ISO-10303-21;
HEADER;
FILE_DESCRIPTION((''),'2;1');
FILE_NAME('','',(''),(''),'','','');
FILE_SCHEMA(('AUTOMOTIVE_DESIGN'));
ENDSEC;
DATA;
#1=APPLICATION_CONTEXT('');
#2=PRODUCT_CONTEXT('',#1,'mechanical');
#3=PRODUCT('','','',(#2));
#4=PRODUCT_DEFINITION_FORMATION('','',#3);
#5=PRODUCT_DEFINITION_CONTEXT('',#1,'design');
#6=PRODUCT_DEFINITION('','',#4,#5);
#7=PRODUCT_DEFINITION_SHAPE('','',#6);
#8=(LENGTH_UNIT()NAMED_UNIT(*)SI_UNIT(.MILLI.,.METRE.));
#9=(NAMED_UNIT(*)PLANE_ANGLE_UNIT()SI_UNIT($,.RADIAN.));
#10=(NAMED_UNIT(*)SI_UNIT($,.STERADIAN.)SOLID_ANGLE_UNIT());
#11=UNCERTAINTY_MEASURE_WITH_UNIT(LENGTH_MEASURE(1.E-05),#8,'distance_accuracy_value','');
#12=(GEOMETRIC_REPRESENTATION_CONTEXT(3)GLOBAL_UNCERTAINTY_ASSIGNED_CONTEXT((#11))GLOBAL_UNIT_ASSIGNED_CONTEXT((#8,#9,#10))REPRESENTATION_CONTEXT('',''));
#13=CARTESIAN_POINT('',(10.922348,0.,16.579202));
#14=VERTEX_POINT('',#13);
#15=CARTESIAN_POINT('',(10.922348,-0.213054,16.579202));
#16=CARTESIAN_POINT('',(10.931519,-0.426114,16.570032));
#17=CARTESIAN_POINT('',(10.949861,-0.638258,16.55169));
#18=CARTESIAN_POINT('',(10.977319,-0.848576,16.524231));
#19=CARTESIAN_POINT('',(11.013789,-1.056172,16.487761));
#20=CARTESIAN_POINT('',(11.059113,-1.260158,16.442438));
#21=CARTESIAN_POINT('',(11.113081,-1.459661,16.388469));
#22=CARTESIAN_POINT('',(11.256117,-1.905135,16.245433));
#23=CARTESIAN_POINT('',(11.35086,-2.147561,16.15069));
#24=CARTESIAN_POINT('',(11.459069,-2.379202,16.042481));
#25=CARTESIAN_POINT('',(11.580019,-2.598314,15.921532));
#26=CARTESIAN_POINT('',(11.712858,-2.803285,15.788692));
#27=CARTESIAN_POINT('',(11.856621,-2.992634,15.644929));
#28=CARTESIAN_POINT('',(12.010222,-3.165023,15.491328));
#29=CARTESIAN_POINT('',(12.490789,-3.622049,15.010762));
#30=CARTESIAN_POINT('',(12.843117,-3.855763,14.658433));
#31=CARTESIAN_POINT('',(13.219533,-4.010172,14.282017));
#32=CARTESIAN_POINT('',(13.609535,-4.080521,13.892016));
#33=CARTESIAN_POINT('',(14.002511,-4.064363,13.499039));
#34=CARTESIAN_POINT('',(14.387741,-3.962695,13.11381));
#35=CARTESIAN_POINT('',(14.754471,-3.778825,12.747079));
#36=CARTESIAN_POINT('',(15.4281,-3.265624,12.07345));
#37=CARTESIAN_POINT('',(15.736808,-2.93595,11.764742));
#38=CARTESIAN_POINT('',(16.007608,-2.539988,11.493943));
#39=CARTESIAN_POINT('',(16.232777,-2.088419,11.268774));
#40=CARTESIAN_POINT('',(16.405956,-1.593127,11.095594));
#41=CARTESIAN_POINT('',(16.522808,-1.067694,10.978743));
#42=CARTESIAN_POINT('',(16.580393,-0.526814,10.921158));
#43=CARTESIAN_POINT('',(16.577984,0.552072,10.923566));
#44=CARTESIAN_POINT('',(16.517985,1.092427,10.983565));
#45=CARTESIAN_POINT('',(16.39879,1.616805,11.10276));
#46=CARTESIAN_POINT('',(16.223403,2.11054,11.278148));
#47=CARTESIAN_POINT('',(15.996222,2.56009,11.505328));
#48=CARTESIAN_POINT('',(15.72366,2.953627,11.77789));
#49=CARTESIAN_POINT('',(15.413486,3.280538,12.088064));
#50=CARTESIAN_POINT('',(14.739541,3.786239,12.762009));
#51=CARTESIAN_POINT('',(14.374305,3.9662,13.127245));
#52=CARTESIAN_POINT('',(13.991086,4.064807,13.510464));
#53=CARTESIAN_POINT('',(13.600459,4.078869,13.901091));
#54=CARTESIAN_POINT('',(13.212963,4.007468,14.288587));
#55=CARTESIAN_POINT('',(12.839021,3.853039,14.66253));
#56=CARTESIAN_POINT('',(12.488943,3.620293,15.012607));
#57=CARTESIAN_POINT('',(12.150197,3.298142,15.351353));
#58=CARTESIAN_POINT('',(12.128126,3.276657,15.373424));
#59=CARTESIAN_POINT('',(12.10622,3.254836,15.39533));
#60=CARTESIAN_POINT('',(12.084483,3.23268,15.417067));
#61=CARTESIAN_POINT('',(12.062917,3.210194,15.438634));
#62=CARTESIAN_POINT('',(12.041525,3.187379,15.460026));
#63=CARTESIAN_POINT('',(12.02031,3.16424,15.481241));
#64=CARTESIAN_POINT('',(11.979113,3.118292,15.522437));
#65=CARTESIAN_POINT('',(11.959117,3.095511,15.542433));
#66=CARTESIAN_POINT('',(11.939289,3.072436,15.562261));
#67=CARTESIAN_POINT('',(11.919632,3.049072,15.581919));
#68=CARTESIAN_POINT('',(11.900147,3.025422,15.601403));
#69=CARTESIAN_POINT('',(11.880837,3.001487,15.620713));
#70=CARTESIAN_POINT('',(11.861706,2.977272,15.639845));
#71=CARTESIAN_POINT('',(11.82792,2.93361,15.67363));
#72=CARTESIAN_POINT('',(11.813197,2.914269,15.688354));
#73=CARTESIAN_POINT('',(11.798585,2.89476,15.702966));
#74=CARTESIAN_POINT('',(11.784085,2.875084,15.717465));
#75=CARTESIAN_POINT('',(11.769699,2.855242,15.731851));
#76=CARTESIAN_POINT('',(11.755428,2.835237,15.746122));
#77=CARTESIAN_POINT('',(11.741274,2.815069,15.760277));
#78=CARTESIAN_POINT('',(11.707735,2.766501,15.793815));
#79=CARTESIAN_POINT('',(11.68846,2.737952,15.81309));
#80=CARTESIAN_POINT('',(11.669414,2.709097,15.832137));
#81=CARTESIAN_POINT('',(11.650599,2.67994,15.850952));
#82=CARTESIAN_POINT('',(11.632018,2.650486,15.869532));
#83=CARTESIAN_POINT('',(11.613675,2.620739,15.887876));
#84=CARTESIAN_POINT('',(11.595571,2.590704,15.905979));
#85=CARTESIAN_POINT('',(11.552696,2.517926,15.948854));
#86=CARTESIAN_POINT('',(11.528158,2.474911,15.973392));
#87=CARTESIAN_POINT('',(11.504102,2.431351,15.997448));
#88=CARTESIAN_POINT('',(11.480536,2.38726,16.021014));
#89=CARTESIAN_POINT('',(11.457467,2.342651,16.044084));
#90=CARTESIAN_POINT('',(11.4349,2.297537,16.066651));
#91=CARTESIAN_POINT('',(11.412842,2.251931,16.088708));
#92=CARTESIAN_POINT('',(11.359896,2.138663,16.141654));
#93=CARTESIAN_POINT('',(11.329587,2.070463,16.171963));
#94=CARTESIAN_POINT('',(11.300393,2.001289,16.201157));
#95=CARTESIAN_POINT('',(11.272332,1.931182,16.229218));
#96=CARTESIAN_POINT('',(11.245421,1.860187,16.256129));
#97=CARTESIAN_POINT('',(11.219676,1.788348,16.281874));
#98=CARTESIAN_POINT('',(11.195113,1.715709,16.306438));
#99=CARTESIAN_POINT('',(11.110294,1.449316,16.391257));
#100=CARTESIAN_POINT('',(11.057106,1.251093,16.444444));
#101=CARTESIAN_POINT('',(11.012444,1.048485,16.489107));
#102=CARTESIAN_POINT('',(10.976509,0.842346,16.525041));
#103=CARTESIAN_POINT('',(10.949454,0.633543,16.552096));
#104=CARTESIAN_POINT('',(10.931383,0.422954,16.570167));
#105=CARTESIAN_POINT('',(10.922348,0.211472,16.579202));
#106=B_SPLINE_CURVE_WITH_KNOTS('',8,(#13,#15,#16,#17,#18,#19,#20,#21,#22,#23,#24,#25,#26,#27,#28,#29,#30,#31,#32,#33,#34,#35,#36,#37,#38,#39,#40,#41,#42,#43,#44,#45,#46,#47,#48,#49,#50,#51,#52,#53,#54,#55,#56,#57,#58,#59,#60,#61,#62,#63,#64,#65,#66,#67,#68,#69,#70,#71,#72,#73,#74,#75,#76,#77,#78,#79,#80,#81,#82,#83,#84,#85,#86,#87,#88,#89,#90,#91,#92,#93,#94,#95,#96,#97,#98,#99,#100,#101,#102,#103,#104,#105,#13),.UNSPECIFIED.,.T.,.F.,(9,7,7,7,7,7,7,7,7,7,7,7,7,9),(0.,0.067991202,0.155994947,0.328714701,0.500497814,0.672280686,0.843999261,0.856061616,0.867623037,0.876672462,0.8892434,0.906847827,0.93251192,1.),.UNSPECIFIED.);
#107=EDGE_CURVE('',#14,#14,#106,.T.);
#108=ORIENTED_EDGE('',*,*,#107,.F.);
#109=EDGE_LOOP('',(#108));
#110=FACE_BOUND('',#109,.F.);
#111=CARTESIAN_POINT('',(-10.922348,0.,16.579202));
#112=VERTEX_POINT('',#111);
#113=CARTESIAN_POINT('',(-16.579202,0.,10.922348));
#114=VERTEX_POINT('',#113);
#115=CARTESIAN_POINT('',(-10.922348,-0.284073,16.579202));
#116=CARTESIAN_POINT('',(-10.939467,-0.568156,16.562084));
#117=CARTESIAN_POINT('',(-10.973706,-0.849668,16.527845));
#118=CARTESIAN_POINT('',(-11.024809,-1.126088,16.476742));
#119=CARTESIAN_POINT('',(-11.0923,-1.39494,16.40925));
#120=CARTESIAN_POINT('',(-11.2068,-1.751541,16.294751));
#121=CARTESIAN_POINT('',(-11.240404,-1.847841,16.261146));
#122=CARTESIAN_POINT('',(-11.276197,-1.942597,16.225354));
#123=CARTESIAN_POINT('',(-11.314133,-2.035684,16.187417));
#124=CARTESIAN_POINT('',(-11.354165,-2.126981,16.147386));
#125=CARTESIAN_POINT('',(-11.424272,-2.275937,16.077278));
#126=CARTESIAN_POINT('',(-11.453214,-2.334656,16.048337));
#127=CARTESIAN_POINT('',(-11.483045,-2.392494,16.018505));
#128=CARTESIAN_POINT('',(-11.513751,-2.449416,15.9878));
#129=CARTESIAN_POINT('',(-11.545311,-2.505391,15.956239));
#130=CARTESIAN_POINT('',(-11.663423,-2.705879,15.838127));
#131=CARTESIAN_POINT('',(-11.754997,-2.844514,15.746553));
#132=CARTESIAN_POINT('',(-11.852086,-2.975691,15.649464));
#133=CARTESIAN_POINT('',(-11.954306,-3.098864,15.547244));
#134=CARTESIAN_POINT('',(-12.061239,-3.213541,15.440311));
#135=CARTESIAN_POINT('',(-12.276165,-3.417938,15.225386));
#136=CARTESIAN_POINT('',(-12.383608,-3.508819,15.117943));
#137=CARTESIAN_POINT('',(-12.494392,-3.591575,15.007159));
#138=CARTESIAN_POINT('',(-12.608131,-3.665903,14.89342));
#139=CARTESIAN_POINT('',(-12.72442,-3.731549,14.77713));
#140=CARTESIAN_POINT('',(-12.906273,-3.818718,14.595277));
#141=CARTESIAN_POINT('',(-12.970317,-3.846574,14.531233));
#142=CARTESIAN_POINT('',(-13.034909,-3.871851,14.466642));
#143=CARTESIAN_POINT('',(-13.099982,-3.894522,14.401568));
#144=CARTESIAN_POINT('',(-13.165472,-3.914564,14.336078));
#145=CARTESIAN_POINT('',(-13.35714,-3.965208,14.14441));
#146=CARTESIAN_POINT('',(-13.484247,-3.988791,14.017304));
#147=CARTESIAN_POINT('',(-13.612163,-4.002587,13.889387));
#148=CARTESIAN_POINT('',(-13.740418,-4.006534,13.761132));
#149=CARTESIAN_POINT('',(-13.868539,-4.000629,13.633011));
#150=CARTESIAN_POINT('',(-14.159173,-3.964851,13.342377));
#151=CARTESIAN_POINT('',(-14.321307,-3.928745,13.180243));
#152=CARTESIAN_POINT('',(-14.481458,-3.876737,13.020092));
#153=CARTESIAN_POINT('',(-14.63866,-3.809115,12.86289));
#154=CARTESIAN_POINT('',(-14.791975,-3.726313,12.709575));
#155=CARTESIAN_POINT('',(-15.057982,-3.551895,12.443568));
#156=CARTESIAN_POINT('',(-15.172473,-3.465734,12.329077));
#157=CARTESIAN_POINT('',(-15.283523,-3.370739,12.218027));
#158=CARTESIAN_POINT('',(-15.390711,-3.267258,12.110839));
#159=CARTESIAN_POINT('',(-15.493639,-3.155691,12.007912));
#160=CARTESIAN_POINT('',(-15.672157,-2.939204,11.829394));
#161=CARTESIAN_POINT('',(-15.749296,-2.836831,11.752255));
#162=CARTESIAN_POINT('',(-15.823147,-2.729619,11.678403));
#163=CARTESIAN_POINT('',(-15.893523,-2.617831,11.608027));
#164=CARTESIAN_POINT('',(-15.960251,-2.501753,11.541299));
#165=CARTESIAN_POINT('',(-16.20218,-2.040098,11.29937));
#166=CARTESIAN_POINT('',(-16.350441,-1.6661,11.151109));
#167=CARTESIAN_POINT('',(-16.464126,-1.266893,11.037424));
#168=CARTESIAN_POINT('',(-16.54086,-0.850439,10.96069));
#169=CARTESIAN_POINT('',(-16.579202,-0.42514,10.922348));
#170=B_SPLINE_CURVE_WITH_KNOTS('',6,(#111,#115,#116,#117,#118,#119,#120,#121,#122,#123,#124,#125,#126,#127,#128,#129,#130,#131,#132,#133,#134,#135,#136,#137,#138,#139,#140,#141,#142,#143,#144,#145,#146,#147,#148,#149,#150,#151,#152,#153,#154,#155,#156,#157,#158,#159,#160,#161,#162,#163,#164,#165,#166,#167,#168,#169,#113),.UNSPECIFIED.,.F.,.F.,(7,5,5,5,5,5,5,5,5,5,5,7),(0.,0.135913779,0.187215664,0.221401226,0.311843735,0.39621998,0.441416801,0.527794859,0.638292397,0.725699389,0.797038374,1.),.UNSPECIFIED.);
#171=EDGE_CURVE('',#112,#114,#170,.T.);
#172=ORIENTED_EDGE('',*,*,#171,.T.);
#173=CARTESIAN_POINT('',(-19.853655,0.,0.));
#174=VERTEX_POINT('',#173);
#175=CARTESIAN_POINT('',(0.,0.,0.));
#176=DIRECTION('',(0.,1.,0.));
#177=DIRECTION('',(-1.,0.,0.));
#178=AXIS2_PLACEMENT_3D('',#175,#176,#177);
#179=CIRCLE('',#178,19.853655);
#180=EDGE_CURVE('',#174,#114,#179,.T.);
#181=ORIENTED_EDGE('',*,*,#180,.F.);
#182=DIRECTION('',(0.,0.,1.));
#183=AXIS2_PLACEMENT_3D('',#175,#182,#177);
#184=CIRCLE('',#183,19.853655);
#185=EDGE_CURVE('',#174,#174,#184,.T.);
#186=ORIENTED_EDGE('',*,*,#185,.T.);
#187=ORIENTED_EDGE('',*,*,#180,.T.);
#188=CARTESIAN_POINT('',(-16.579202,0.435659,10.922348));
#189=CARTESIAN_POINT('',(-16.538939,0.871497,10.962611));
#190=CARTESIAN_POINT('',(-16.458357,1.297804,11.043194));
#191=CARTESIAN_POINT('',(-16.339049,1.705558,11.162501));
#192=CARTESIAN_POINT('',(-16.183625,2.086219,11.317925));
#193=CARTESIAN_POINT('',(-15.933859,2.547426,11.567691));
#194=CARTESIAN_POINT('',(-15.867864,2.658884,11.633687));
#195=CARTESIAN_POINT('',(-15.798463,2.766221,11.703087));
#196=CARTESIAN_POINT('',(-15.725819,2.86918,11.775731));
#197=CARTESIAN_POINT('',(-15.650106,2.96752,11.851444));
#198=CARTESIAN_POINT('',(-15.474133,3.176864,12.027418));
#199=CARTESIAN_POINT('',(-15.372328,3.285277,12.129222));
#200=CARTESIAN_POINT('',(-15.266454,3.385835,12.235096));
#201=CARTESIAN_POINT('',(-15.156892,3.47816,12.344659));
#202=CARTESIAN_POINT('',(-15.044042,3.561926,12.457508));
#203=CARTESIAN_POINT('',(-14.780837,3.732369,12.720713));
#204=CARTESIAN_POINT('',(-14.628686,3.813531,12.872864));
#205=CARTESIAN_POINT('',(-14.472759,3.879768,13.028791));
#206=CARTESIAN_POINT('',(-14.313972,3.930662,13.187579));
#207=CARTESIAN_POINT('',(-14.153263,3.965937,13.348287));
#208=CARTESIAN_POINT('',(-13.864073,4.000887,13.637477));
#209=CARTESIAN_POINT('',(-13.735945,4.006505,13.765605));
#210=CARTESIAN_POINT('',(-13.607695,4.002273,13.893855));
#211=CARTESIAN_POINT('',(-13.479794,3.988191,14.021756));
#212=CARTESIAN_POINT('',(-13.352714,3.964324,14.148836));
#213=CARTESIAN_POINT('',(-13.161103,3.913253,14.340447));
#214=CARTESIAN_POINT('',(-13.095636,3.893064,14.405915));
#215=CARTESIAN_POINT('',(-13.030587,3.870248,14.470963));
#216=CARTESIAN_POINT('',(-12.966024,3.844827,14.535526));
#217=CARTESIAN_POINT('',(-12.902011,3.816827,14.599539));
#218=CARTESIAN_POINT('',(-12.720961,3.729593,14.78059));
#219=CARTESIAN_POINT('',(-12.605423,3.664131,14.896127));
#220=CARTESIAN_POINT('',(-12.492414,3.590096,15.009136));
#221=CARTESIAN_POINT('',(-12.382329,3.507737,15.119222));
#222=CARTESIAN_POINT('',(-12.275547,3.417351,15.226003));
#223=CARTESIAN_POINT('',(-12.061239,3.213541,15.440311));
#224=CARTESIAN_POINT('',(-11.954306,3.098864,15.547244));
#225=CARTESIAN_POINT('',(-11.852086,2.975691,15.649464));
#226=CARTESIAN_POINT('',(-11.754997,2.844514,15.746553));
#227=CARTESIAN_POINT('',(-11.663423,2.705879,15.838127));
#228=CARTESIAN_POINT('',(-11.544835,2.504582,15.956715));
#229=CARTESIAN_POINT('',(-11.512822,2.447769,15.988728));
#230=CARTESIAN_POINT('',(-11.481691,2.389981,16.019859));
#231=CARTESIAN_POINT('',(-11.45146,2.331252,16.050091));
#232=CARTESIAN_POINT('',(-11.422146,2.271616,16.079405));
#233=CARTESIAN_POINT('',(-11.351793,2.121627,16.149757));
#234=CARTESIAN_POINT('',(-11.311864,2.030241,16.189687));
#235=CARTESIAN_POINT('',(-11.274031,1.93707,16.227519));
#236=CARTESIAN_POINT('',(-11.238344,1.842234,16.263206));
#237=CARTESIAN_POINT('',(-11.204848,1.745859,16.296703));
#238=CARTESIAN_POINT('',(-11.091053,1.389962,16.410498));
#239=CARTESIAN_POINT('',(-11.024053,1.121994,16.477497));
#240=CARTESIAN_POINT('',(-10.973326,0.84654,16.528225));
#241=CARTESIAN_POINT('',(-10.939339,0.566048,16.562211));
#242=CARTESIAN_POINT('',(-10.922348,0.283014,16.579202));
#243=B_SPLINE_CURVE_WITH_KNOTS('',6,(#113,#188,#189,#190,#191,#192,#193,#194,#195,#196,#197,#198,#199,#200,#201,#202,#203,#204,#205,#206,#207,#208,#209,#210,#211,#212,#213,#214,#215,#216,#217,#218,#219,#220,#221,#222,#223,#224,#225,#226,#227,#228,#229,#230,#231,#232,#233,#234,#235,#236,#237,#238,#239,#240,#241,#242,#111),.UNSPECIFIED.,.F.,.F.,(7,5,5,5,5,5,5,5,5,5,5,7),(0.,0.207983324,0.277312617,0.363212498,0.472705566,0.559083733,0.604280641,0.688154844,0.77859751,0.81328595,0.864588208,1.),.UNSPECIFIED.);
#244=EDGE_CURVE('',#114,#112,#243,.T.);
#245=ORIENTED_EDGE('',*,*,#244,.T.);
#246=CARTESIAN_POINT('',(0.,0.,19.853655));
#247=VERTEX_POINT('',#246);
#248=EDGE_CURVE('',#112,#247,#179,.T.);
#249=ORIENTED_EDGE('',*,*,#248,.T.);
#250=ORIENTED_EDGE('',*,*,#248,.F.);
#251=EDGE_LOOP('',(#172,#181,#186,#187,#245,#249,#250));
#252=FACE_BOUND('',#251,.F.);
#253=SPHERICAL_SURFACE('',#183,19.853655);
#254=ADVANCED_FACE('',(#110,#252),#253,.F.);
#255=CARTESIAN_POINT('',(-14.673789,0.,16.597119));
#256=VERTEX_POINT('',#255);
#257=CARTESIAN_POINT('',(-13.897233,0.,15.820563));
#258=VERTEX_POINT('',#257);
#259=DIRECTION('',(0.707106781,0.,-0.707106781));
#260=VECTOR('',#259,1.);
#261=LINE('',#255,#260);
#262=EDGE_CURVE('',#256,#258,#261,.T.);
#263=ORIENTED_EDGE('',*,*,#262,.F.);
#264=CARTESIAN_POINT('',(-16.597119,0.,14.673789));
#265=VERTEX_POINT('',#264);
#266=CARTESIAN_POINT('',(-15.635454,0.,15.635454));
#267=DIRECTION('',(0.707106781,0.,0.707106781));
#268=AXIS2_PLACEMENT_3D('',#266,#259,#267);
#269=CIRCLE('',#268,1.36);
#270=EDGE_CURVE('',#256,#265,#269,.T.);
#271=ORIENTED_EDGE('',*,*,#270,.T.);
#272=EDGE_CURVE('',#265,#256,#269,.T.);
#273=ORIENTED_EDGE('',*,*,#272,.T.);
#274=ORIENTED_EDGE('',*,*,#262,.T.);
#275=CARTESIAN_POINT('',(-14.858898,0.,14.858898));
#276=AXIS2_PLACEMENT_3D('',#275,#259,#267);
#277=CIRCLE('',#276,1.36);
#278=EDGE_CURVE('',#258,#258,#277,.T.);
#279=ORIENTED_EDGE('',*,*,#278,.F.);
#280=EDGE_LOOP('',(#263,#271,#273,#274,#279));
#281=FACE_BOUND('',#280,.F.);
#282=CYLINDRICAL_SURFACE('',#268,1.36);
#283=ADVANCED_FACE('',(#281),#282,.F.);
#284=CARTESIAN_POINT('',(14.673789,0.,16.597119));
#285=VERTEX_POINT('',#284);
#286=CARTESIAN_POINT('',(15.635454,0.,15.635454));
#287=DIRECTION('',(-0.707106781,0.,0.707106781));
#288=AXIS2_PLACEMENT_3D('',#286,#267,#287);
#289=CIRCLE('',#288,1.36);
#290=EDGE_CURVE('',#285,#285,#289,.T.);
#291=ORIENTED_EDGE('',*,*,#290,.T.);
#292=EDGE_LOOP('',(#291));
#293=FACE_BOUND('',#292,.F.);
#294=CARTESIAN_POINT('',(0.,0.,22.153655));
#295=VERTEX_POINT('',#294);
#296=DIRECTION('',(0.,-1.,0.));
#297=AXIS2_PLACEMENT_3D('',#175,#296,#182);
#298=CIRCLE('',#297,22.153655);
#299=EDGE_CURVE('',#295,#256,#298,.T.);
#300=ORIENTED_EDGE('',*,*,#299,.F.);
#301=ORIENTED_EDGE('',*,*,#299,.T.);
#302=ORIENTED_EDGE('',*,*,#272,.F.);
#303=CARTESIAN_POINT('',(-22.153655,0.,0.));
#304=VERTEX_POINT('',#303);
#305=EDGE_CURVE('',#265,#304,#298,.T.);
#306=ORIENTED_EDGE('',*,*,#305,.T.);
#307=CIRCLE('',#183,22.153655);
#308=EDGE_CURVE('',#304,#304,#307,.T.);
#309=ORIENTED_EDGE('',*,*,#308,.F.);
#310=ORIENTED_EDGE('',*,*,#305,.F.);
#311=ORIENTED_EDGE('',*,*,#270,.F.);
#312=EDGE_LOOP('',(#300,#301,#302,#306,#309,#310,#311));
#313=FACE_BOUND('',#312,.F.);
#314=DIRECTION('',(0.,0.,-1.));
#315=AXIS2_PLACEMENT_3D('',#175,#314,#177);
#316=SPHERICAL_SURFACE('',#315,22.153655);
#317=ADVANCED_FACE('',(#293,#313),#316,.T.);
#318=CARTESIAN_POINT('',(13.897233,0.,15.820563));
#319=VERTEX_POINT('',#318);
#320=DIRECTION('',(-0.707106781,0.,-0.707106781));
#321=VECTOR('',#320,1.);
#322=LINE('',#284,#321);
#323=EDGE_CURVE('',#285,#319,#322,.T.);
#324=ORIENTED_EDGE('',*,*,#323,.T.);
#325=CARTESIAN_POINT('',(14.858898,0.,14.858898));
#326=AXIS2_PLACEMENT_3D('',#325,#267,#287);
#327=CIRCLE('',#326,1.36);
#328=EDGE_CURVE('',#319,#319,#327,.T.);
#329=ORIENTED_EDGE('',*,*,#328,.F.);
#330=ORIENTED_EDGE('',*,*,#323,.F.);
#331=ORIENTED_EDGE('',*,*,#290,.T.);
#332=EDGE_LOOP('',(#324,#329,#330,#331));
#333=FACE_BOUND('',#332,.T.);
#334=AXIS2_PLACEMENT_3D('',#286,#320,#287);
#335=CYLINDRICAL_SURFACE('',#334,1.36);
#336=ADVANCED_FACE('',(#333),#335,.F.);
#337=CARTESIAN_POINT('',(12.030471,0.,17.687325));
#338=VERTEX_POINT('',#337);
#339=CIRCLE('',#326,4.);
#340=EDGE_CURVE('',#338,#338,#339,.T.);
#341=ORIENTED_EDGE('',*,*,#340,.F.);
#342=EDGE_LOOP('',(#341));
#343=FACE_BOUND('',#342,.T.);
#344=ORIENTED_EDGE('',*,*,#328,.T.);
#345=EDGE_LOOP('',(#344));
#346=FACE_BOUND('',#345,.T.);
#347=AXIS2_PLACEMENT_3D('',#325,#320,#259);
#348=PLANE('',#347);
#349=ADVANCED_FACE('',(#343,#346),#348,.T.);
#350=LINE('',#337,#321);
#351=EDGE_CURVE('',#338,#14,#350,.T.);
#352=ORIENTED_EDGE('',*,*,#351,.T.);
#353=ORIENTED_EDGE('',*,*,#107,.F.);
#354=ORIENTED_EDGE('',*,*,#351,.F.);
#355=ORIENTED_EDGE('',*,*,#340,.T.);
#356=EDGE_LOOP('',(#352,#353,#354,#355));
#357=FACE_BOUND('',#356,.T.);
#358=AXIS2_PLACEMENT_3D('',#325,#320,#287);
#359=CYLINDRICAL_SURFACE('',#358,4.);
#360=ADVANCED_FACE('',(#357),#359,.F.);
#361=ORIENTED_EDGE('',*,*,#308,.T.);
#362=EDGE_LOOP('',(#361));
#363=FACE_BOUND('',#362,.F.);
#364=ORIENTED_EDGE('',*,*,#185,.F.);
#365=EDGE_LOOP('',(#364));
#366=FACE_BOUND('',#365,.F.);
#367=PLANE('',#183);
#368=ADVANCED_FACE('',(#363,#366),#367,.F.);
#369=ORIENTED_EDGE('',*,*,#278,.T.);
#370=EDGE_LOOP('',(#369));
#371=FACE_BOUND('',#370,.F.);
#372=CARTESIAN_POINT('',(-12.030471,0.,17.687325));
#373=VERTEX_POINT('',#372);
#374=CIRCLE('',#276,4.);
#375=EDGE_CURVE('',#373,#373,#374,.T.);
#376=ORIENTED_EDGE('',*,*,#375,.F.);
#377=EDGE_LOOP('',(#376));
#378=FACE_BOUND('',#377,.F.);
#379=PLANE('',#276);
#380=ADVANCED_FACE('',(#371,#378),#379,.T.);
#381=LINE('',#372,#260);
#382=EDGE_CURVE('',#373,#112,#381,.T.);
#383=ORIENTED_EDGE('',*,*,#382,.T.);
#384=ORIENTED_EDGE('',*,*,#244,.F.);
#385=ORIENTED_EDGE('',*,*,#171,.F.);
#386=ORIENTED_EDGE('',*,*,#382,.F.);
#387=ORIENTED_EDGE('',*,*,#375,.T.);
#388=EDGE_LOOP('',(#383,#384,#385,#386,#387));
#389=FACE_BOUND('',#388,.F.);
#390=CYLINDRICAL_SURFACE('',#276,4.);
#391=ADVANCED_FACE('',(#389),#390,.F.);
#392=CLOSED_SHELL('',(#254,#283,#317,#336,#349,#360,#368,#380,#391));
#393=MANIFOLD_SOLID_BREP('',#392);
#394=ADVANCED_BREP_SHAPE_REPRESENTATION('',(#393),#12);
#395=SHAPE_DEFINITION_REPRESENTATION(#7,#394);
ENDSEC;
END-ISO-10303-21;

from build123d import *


with BuildPart() as f1:
    # F0 (on Front) → F1 (revolve)
    with BuildSketch(Plane.XZ):
        with BuildLine():
            Line((0, 19.8536554546), (0, 22.1536554546))
            ThreePointArc((0, 22.1536554546), (-15.665, 15.665), (-22.1536554546, 0))
            Line((-22.1536554546, 0), (-19.8536554546, 0))
            ThreePointArc((-19.8536554546, 0), (-14.0386544033, 14.0386544033), (0, 19.8536554546))
        make_face()
    revolve(axis=Axis((0, 0, 21.0036554546), (0, 0, 1)))

    # F3: F2 across plane


with BuildPart() as f2:
    # F0 (on Front) → F2 (revolve)
    with BuildSketch(Plane.XZ):
        with BuildLine():
            ThreePointArc((14.0386544033, 14.0386544033), (12.5449793362, 15.3880189876), (10.9223480336, 16.5792022831))
            Line((10.9223480336, 16.5792022831), (8.4949372388, 14.1517914883))
            Line((8.4949372388, 14.1517914883), (11.3233643635, 11.3233643635))
            Line((11.3233643635, 11.3233643635), (14.0386544033, 14.0386544033))
        make_face()
        with BuildLine():
            ThreePointArc((15.665, 15.665), (15.176552286, 16.1386712808), (14.6737888804, 16.5971193252))
            Line((14.6737888804, 16.5971193252), (13.897233047, 15.8205634919))
            Line((13.897233047, 15.8205634919), (12.0304711447, 17.6873253942))
            Line((12.0304711447, 17.6873253942), (10.9223480336, 16.5792022831))
            ThreePointArc((10.9223480336, 16.5792022831), (12.5449793362, 15.3880189876), (14.0386544033, 14.0386544033))
            Line((14.0386544033, 14.0386544033), (15.665, 15.665))
        make_face()
    revolve(axis=Axis((7.8325, 0, 7.8325), (0.7071067812, 0, 0.7071067812)))


with BuildPart() as f1_1:
    add(f1.part)
    add(f2.part.mirror(Plane.YZ), mode=Mode.SUBTRACT)

    # F4: cut F2
    add(f2.part, mode=Mode.SUBTRACT)


solid = f1_1.part
